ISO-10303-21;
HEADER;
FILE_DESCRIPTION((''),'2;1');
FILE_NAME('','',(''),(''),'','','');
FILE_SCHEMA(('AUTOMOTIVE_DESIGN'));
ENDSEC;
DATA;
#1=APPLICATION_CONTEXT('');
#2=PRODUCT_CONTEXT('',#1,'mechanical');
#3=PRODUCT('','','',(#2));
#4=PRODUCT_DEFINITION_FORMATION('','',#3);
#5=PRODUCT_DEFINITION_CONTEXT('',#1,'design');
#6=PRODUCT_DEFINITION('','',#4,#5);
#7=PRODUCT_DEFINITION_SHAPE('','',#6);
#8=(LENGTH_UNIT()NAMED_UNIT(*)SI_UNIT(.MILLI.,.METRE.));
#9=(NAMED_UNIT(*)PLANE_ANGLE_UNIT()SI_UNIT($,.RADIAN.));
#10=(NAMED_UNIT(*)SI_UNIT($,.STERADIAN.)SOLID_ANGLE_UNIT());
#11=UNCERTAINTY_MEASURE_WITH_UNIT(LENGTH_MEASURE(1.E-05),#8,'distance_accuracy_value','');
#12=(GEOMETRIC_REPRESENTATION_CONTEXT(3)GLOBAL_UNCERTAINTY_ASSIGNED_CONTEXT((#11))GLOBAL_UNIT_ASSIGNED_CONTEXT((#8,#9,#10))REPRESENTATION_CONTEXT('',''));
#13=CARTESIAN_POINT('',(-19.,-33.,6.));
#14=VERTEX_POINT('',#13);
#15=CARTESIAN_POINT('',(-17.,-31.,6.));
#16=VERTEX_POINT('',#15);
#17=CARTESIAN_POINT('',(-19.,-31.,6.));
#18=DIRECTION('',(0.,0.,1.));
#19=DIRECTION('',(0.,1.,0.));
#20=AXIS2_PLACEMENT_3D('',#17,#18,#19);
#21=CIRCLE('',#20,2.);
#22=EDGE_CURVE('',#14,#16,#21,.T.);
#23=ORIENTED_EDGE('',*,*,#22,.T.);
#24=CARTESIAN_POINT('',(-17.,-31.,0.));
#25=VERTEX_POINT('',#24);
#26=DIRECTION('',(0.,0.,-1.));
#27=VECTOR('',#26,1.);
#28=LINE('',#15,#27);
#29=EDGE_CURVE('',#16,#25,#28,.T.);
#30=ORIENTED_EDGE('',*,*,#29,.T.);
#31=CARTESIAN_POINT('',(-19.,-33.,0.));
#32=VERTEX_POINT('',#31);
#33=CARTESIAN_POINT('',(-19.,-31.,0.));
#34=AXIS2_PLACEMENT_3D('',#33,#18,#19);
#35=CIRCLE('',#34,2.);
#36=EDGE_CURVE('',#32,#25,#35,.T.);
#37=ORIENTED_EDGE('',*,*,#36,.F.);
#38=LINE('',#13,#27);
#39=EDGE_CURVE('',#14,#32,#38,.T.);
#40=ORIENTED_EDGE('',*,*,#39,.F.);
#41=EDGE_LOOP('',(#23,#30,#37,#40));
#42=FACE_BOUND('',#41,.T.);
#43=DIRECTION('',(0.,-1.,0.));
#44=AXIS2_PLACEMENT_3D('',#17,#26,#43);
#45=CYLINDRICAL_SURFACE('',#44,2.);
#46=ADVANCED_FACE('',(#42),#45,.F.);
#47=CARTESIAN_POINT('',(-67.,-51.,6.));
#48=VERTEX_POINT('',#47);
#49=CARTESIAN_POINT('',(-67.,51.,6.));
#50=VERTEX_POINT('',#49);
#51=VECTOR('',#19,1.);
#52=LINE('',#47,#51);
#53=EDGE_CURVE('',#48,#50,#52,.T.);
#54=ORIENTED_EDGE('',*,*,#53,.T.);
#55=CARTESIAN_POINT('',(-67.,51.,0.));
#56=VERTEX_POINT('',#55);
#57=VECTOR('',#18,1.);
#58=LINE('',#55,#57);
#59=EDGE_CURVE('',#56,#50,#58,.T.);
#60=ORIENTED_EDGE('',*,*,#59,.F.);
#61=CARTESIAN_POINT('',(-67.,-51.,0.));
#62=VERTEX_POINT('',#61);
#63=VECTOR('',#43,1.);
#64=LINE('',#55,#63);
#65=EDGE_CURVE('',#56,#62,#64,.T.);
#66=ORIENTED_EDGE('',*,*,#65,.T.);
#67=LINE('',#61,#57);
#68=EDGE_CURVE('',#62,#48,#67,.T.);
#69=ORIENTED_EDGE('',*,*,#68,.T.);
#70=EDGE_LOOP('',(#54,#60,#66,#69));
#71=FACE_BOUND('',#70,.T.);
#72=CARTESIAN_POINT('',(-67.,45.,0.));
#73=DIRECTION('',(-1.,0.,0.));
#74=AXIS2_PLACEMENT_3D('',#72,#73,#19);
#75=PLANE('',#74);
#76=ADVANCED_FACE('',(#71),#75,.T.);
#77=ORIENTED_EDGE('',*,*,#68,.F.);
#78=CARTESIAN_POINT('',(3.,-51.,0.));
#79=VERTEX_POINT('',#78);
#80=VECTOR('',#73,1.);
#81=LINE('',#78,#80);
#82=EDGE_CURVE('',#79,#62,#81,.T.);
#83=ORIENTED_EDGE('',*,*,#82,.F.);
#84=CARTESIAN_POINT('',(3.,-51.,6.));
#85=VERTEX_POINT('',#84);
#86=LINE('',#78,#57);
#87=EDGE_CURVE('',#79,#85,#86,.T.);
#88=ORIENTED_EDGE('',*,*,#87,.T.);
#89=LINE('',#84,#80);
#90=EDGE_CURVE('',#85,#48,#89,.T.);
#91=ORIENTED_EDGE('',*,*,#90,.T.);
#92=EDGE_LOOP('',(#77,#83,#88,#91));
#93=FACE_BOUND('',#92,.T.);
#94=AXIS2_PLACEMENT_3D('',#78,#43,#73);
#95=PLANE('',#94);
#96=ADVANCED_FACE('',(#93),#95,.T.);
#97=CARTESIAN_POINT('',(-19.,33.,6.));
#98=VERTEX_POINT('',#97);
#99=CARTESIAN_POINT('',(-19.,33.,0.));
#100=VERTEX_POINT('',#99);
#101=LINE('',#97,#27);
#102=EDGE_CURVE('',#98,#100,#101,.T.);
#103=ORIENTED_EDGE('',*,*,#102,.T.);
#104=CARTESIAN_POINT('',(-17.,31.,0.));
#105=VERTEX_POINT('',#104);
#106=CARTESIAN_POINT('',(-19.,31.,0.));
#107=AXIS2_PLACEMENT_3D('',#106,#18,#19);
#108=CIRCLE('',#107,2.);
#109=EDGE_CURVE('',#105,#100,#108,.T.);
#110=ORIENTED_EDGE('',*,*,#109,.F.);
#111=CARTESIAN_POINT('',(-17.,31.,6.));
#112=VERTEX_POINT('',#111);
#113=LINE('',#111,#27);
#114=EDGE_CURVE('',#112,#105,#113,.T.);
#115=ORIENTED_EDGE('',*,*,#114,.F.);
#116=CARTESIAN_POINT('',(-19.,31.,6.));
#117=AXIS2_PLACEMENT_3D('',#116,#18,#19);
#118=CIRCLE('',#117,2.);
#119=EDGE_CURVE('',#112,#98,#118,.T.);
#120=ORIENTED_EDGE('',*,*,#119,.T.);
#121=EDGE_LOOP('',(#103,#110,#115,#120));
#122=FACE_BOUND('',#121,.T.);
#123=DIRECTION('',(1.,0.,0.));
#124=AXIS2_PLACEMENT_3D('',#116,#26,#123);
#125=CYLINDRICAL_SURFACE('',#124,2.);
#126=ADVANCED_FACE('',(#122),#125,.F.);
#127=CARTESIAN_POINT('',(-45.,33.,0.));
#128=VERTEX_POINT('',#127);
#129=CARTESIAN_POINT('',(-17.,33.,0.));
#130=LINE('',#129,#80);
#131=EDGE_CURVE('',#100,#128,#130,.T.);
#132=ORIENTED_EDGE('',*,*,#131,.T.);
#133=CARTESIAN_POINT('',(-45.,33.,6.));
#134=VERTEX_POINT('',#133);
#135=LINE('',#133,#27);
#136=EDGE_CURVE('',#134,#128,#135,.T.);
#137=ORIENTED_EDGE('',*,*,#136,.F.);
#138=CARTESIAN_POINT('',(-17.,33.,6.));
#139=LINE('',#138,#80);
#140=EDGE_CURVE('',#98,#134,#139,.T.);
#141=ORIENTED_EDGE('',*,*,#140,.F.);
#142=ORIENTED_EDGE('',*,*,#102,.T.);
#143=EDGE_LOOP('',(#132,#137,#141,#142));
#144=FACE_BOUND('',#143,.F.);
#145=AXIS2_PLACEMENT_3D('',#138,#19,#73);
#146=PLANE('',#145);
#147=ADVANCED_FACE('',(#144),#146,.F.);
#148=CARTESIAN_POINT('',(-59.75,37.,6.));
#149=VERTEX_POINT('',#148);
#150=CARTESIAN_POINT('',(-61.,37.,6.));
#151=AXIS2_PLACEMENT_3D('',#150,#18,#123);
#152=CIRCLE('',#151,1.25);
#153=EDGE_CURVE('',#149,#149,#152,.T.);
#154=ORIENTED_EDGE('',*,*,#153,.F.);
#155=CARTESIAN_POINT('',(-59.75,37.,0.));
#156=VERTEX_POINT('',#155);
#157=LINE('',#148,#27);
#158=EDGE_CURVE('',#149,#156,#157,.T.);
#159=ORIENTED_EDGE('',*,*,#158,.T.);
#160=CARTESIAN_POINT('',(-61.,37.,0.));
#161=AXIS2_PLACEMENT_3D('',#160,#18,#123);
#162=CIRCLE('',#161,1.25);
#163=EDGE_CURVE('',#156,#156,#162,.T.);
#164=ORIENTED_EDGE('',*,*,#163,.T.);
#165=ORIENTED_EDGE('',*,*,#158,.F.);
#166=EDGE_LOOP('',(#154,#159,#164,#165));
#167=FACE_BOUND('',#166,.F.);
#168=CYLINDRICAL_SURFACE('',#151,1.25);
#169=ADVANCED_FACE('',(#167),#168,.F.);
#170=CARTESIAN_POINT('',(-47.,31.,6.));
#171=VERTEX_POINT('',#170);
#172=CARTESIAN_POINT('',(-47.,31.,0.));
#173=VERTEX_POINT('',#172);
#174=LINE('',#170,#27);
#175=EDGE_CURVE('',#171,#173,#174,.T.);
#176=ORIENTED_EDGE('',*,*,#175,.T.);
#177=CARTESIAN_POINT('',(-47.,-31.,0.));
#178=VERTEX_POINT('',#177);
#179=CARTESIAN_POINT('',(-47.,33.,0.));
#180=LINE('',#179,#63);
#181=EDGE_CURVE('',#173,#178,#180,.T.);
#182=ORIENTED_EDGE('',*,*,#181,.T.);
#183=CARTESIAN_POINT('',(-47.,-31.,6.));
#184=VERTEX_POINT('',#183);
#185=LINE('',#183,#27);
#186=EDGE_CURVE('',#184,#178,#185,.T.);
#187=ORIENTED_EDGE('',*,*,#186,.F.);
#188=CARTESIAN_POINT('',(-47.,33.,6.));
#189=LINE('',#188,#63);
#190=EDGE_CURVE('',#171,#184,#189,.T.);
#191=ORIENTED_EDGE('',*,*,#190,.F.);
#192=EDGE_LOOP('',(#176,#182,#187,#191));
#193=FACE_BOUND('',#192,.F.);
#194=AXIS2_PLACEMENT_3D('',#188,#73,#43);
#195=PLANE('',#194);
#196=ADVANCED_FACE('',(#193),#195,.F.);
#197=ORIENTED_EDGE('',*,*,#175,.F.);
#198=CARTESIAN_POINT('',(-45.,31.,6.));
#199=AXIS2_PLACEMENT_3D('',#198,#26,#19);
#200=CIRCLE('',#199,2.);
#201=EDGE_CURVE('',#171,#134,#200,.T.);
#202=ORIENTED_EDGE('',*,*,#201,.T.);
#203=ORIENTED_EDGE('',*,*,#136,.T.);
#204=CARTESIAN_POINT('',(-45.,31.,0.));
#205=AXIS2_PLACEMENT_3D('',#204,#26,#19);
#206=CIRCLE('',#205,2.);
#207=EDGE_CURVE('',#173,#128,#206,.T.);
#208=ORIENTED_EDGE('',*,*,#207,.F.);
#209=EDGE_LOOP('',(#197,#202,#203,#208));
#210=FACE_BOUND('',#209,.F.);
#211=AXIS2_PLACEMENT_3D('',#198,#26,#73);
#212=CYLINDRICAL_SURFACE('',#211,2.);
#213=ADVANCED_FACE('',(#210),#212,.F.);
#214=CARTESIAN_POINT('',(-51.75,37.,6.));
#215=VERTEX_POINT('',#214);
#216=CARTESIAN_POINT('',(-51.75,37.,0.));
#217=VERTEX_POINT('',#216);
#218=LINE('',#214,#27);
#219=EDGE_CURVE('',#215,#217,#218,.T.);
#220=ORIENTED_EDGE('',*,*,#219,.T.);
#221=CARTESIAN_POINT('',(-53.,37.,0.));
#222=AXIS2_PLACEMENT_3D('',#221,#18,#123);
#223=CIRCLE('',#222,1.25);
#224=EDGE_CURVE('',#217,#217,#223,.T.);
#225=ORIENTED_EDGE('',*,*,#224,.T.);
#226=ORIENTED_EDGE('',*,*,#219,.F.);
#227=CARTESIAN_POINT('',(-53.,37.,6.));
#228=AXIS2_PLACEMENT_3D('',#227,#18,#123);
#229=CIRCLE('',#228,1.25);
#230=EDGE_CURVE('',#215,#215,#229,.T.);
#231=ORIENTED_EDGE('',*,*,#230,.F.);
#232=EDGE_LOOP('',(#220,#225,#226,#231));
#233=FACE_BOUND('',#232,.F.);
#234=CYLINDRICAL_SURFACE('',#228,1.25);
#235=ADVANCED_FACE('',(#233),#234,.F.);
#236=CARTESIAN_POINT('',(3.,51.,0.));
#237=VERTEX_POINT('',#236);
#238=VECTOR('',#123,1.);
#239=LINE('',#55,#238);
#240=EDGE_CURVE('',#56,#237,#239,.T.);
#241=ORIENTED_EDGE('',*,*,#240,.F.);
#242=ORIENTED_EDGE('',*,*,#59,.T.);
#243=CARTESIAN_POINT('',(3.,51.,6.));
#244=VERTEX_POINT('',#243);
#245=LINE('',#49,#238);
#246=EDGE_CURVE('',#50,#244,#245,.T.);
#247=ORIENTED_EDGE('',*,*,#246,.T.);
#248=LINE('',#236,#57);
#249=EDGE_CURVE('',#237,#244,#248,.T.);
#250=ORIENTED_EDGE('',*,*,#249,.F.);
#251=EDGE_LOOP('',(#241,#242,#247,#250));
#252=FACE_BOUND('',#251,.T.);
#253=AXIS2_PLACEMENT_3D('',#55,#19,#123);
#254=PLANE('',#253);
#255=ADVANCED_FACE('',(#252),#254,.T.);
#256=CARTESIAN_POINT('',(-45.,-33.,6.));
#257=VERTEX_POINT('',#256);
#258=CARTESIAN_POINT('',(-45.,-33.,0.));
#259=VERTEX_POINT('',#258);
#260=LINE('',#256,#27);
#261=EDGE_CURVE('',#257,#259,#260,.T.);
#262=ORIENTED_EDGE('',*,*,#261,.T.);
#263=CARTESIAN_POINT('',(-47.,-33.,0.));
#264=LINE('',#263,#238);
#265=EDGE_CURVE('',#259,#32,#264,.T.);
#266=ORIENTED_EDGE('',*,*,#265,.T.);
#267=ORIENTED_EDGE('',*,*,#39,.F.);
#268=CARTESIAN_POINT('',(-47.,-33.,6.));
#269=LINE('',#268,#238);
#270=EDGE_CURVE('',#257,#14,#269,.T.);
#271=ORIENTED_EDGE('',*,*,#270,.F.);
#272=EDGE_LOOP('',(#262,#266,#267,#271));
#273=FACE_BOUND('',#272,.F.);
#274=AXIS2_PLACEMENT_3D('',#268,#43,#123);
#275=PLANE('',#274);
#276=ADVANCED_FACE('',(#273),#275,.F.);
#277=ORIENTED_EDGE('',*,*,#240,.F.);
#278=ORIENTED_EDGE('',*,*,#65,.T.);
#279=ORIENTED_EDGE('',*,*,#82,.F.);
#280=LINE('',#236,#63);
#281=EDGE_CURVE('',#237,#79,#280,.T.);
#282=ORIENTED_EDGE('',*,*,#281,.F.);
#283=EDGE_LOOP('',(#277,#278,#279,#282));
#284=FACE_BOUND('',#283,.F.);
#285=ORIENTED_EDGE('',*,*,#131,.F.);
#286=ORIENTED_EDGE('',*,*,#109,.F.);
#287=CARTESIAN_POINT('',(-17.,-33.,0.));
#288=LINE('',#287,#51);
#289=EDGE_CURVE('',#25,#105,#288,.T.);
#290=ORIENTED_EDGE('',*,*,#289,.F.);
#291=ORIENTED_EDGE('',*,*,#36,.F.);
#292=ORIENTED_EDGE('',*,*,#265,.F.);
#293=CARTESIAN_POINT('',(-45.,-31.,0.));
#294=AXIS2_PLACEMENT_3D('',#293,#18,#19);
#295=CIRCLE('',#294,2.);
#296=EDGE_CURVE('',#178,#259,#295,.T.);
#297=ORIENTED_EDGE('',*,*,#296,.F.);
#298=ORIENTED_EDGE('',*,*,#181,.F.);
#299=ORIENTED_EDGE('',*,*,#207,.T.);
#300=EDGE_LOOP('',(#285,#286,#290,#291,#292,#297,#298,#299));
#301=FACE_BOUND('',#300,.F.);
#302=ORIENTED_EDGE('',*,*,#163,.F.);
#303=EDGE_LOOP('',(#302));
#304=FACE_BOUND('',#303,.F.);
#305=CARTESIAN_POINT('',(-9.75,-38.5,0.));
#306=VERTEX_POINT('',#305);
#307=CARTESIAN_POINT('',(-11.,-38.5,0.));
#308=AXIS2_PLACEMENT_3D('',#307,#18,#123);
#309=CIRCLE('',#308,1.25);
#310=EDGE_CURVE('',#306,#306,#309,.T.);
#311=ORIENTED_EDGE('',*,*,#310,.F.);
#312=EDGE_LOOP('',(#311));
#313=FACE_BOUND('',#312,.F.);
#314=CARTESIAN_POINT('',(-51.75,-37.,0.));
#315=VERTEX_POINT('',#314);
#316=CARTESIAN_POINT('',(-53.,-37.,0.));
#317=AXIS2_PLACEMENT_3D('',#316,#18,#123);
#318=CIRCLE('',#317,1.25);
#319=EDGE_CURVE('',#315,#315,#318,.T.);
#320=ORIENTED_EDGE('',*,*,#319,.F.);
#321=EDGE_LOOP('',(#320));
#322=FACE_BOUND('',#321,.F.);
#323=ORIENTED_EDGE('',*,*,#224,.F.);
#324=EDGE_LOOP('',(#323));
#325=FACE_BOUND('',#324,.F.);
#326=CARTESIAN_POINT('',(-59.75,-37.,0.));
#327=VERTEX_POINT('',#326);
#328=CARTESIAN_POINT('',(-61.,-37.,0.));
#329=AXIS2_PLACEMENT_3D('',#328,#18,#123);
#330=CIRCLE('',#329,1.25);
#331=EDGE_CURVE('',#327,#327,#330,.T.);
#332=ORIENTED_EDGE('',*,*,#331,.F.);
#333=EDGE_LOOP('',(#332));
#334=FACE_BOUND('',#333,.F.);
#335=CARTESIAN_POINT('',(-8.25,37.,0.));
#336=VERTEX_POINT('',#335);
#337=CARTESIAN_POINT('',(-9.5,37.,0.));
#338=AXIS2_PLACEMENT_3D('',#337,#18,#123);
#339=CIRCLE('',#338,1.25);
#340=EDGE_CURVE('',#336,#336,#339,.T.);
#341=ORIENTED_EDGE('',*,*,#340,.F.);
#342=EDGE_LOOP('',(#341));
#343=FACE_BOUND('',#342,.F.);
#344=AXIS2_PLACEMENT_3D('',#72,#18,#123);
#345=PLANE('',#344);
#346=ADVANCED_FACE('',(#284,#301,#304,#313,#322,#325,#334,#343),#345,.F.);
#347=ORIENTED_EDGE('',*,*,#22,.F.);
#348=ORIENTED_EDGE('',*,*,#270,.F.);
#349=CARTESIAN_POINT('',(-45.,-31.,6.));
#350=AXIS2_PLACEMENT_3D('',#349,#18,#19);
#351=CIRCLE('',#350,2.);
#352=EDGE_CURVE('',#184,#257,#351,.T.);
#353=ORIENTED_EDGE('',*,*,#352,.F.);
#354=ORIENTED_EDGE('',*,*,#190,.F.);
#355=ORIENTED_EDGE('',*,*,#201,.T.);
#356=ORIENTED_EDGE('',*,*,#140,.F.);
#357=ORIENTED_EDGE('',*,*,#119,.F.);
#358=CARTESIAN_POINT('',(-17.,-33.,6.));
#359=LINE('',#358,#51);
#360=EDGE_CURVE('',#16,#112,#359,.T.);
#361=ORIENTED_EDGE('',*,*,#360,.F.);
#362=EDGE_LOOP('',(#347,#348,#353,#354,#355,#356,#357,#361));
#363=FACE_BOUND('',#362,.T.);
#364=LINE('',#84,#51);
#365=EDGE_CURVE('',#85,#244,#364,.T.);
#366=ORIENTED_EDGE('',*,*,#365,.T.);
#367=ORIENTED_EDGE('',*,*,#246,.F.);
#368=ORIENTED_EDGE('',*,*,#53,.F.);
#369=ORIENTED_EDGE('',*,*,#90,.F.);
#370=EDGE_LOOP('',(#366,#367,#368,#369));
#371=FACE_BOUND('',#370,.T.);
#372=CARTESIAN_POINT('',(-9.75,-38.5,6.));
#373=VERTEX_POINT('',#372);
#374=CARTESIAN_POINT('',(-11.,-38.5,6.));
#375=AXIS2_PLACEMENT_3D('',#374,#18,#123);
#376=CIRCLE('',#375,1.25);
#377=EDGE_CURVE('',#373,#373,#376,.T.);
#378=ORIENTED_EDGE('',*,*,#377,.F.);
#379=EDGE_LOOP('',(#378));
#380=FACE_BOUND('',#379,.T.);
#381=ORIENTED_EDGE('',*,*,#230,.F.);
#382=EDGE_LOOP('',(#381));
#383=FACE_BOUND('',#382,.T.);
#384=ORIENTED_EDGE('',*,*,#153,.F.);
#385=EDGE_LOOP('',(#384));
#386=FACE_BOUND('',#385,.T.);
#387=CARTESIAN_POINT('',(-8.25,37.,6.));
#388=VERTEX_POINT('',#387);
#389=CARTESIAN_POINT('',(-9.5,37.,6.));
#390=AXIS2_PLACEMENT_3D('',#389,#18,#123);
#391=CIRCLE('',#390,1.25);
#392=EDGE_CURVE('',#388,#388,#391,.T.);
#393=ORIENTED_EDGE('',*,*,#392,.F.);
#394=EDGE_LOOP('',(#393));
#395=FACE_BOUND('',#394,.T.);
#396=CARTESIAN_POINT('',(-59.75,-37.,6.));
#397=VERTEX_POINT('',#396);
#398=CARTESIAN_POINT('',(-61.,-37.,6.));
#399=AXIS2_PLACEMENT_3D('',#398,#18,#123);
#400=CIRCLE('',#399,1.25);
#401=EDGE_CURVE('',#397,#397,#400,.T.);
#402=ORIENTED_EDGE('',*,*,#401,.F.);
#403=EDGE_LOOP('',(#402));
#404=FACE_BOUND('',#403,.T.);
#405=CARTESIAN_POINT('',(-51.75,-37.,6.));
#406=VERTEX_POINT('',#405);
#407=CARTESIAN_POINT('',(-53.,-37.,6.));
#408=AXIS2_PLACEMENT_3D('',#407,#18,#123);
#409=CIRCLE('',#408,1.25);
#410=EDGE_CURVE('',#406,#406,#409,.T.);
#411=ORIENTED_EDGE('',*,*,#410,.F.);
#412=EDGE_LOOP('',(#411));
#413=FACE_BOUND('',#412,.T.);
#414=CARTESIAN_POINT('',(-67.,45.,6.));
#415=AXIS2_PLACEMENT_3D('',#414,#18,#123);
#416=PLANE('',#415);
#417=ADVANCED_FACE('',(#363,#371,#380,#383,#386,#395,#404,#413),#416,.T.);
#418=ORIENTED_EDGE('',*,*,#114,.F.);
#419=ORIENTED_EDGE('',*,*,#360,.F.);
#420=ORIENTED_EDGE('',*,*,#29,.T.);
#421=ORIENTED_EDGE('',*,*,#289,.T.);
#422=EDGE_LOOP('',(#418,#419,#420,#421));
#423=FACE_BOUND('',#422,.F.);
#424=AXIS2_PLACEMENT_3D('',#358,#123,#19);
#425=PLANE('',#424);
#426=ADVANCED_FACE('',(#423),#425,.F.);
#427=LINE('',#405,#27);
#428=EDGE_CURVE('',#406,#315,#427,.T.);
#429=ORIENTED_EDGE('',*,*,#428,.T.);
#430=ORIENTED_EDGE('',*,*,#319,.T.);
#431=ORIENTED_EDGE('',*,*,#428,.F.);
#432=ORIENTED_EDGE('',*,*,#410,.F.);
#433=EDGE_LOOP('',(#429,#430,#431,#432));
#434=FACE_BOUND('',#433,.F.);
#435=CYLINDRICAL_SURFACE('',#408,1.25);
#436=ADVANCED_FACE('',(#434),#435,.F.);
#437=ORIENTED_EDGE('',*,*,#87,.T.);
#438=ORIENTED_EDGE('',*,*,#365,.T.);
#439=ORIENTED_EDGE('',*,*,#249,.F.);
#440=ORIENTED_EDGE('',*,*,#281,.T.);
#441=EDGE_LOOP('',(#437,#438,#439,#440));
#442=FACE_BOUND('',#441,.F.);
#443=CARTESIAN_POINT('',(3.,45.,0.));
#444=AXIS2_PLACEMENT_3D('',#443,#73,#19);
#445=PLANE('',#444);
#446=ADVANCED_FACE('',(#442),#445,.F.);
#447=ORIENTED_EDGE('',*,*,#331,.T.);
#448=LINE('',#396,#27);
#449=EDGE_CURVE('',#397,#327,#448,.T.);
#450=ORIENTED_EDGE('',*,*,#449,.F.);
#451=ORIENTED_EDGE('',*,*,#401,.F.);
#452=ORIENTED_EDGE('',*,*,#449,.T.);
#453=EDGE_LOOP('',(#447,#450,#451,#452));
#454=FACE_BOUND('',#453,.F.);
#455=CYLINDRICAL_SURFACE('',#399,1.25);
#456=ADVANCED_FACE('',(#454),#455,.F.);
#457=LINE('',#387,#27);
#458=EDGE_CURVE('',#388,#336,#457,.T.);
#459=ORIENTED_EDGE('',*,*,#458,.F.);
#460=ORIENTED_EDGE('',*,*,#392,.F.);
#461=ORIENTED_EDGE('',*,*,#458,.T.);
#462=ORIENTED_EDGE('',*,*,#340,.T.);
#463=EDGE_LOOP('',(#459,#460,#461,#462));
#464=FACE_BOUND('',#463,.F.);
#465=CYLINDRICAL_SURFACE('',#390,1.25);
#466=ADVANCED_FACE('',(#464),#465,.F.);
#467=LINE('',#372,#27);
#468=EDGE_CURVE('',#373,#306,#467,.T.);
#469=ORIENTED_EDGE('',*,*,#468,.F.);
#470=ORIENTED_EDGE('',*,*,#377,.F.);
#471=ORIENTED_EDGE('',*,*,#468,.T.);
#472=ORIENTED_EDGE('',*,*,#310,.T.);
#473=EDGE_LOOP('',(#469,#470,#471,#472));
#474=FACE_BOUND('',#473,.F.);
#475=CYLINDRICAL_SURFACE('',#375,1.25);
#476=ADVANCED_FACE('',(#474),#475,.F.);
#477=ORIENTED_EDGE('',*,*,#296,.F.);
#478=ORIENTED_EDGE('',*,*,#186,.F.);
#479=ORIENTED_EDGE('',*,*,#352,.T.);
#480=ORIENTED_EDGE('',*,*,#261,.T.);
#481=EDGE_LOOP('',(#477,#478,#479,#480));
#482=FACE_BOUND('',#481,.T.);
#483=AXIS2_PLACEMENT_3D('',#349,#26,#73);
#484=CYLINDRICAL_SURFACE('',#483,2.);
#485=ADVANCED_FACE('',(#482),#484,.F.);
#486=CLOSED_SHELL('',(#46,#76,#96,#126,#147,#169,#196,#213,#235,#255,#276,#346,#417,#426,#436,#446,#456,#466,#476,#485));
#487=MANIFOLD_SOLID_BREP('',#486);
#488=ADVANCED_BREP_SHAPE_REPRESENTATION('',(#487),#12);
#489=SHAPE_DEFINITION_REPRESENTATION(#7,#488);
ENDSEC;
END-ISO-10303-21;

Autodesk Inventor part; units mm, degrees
ref_plane "YZ Plane" through (0, 0, 0) normal (1, 0, 0) x (0, 1, 0)
ref_plane "XZ Plane" through (0, 0, 0) normal (0, 1, 0) x (-1, 0, 0)
ref_plane "XY Plane" through (0, 0, 0) normal (0, 0, 1) x (1, 0, 0)
ref_plane "작업 평면1" through (-67, 45, 0) normal (0, 0, 1) x (1, 0, 0)
sketch "스케치1" plane through (-67, 45, 0) normal (0, 0, 1) x (1, 0, 0)
  line L0 (0, 0) -> (70, 0) projected
  line L1 (70, 0) -> (70, 6) projected
  line L2 (0, 6) -> (70, 6) projected
  line L3 (0, 0) -> (0, 6) projected
  line L4 (70, 0) -> (64, 0) projected
  line L5 (64, 0) -> (64, -90) projected
  line L6 (64, -90) -> (70, -90) projected
  line L7 (70, -90) -> (70, 0) projected
  line L8 (70, -90) -> (0, -90) projected
  line L9 (0, -90) -> (0, -96) projected
  line L10 (70, -96) -> (0, -96) projected
  line L11 (70, -90) -> (70, -96) projected
  line L12 (70, 6) -> (0, 6)
  line L13 (0, 6) -> (0, -96)
  line L14 (0, -96) -> (70, -96)
  line L15 (70, -96) -> (70, 6)
  point P0 (67, -45)
extrude "돌출1" add sketch "스케치1" along normal blind 6
sketch "스케치2" plane through (-67, 45, 6) normal (0, 0, 1) x (1, 0, 0)
  circle A0 centre (6, -8) radius 1.25 projected
  circle A1 centre (14, -8) radius 1.25 projected
  line L0 (20, -3) -> (0, -3) projected
  line L1 (20, -3) -> (20, -13) projected
  line L2 (0, -13) -> (20, -13) projected
  line L3 (0, -3) -> (0, -13) projected
  circle A2 centre (57.5, -8) radius 1.25 projected
  line L4 (61, -13) -> (61, -3) projected
  line L5 (54, -13) -> (61, -13) projected
  line L6 (54, -3) -> (54, -13) projected
  line L7 (61, -3) -> (54, -3) projected
  circle A3 centre (56, -83.5) radius 1.25 projected
  line L8 (51, -87) -> (61, -87) projected
  line L9 (51, -80) -> (51, -87) projected
  line L10 (61, -80) -> (51, -80) projected
  line L11 (61, -87) -> (61, -80) projected
  circle A4 centre (14, -82) radius 1.25 projected
  circle A5 centre (6, -82) radius 1.25 projected
  line L12 (0, -87) -> (20, -87) projected
  line L13 (0, -87) -> (0, -77) projected
  line L14 (20, -77) -> (0, -77) projected
  line L15 (20, -87) -> (20, -77) projected
  point P0 (67, -45)
extrude "돌출2" cut sketch "스케치2" against normal blind 6 contours A0 | A1 | A2 | A3 | A4 | A5
sketch "스케치3" plane through (-67, 45, 6) normal (0, 0, 1) x (1, 0, 0)
  circle A0 centre (57.5, -8) radius 1.25 projected
  circle A1 centre (6, -82) radius 1.25 projected
  circle A2 centre (14, -8) radius 1.25 projected
  circle A3 centre (56, -83.5) radius 1.25 projected
  circle A4 centre (14, -82) radius 1.25 projected
  circle A5 centre (6, -8) radius 1.25 projected
  line L0 (0, 6) -> (0, -96) projected
  line L1 (0, -96) -> (70, -96) projected
  line L2 (70, -96) -> (70, 6) projected
  line L3 (70, 6) -> (0, 6) projected
  line L4 (70, -96) -> (70, 6) projected
  line L5 (0, 6) -> (0, -96) projected
  line L6 (0, -96) -> (70, -96) projected
  line L7 (70, 6) -> (0, 6) projected
  line L8 (20, -78) -> (50, -78)
  line L9 (50, -78) -> (50, -12)
  line L10 (50, -12) -> (20, -12)
  line L11 (20, -12) -> (20, -78)
  point P0 (67, -45)
  point P1 (50, -64.8252)
  point P2 (20, -61.3274)
  point P3 (30.9806, -78)
  point P4 (28.8515, -12)
  point P5 (28.8515, -12)
  dimension "d4" = 20
  dimension "d5" = 20
  dimension "d6" = 18
  dimension "d7" = 18
extrude "돌출3" cut sketch "스케치3" against normal blind 6 contours L11 L10 L9 L8
fillet "모깎기1" radius 2 4 edges at (-47, -33, 3) (-17, -33, 3) (-47, 33, 3) (-17, 33, 3)
properties part number "62" material "아크릴, 선명"
